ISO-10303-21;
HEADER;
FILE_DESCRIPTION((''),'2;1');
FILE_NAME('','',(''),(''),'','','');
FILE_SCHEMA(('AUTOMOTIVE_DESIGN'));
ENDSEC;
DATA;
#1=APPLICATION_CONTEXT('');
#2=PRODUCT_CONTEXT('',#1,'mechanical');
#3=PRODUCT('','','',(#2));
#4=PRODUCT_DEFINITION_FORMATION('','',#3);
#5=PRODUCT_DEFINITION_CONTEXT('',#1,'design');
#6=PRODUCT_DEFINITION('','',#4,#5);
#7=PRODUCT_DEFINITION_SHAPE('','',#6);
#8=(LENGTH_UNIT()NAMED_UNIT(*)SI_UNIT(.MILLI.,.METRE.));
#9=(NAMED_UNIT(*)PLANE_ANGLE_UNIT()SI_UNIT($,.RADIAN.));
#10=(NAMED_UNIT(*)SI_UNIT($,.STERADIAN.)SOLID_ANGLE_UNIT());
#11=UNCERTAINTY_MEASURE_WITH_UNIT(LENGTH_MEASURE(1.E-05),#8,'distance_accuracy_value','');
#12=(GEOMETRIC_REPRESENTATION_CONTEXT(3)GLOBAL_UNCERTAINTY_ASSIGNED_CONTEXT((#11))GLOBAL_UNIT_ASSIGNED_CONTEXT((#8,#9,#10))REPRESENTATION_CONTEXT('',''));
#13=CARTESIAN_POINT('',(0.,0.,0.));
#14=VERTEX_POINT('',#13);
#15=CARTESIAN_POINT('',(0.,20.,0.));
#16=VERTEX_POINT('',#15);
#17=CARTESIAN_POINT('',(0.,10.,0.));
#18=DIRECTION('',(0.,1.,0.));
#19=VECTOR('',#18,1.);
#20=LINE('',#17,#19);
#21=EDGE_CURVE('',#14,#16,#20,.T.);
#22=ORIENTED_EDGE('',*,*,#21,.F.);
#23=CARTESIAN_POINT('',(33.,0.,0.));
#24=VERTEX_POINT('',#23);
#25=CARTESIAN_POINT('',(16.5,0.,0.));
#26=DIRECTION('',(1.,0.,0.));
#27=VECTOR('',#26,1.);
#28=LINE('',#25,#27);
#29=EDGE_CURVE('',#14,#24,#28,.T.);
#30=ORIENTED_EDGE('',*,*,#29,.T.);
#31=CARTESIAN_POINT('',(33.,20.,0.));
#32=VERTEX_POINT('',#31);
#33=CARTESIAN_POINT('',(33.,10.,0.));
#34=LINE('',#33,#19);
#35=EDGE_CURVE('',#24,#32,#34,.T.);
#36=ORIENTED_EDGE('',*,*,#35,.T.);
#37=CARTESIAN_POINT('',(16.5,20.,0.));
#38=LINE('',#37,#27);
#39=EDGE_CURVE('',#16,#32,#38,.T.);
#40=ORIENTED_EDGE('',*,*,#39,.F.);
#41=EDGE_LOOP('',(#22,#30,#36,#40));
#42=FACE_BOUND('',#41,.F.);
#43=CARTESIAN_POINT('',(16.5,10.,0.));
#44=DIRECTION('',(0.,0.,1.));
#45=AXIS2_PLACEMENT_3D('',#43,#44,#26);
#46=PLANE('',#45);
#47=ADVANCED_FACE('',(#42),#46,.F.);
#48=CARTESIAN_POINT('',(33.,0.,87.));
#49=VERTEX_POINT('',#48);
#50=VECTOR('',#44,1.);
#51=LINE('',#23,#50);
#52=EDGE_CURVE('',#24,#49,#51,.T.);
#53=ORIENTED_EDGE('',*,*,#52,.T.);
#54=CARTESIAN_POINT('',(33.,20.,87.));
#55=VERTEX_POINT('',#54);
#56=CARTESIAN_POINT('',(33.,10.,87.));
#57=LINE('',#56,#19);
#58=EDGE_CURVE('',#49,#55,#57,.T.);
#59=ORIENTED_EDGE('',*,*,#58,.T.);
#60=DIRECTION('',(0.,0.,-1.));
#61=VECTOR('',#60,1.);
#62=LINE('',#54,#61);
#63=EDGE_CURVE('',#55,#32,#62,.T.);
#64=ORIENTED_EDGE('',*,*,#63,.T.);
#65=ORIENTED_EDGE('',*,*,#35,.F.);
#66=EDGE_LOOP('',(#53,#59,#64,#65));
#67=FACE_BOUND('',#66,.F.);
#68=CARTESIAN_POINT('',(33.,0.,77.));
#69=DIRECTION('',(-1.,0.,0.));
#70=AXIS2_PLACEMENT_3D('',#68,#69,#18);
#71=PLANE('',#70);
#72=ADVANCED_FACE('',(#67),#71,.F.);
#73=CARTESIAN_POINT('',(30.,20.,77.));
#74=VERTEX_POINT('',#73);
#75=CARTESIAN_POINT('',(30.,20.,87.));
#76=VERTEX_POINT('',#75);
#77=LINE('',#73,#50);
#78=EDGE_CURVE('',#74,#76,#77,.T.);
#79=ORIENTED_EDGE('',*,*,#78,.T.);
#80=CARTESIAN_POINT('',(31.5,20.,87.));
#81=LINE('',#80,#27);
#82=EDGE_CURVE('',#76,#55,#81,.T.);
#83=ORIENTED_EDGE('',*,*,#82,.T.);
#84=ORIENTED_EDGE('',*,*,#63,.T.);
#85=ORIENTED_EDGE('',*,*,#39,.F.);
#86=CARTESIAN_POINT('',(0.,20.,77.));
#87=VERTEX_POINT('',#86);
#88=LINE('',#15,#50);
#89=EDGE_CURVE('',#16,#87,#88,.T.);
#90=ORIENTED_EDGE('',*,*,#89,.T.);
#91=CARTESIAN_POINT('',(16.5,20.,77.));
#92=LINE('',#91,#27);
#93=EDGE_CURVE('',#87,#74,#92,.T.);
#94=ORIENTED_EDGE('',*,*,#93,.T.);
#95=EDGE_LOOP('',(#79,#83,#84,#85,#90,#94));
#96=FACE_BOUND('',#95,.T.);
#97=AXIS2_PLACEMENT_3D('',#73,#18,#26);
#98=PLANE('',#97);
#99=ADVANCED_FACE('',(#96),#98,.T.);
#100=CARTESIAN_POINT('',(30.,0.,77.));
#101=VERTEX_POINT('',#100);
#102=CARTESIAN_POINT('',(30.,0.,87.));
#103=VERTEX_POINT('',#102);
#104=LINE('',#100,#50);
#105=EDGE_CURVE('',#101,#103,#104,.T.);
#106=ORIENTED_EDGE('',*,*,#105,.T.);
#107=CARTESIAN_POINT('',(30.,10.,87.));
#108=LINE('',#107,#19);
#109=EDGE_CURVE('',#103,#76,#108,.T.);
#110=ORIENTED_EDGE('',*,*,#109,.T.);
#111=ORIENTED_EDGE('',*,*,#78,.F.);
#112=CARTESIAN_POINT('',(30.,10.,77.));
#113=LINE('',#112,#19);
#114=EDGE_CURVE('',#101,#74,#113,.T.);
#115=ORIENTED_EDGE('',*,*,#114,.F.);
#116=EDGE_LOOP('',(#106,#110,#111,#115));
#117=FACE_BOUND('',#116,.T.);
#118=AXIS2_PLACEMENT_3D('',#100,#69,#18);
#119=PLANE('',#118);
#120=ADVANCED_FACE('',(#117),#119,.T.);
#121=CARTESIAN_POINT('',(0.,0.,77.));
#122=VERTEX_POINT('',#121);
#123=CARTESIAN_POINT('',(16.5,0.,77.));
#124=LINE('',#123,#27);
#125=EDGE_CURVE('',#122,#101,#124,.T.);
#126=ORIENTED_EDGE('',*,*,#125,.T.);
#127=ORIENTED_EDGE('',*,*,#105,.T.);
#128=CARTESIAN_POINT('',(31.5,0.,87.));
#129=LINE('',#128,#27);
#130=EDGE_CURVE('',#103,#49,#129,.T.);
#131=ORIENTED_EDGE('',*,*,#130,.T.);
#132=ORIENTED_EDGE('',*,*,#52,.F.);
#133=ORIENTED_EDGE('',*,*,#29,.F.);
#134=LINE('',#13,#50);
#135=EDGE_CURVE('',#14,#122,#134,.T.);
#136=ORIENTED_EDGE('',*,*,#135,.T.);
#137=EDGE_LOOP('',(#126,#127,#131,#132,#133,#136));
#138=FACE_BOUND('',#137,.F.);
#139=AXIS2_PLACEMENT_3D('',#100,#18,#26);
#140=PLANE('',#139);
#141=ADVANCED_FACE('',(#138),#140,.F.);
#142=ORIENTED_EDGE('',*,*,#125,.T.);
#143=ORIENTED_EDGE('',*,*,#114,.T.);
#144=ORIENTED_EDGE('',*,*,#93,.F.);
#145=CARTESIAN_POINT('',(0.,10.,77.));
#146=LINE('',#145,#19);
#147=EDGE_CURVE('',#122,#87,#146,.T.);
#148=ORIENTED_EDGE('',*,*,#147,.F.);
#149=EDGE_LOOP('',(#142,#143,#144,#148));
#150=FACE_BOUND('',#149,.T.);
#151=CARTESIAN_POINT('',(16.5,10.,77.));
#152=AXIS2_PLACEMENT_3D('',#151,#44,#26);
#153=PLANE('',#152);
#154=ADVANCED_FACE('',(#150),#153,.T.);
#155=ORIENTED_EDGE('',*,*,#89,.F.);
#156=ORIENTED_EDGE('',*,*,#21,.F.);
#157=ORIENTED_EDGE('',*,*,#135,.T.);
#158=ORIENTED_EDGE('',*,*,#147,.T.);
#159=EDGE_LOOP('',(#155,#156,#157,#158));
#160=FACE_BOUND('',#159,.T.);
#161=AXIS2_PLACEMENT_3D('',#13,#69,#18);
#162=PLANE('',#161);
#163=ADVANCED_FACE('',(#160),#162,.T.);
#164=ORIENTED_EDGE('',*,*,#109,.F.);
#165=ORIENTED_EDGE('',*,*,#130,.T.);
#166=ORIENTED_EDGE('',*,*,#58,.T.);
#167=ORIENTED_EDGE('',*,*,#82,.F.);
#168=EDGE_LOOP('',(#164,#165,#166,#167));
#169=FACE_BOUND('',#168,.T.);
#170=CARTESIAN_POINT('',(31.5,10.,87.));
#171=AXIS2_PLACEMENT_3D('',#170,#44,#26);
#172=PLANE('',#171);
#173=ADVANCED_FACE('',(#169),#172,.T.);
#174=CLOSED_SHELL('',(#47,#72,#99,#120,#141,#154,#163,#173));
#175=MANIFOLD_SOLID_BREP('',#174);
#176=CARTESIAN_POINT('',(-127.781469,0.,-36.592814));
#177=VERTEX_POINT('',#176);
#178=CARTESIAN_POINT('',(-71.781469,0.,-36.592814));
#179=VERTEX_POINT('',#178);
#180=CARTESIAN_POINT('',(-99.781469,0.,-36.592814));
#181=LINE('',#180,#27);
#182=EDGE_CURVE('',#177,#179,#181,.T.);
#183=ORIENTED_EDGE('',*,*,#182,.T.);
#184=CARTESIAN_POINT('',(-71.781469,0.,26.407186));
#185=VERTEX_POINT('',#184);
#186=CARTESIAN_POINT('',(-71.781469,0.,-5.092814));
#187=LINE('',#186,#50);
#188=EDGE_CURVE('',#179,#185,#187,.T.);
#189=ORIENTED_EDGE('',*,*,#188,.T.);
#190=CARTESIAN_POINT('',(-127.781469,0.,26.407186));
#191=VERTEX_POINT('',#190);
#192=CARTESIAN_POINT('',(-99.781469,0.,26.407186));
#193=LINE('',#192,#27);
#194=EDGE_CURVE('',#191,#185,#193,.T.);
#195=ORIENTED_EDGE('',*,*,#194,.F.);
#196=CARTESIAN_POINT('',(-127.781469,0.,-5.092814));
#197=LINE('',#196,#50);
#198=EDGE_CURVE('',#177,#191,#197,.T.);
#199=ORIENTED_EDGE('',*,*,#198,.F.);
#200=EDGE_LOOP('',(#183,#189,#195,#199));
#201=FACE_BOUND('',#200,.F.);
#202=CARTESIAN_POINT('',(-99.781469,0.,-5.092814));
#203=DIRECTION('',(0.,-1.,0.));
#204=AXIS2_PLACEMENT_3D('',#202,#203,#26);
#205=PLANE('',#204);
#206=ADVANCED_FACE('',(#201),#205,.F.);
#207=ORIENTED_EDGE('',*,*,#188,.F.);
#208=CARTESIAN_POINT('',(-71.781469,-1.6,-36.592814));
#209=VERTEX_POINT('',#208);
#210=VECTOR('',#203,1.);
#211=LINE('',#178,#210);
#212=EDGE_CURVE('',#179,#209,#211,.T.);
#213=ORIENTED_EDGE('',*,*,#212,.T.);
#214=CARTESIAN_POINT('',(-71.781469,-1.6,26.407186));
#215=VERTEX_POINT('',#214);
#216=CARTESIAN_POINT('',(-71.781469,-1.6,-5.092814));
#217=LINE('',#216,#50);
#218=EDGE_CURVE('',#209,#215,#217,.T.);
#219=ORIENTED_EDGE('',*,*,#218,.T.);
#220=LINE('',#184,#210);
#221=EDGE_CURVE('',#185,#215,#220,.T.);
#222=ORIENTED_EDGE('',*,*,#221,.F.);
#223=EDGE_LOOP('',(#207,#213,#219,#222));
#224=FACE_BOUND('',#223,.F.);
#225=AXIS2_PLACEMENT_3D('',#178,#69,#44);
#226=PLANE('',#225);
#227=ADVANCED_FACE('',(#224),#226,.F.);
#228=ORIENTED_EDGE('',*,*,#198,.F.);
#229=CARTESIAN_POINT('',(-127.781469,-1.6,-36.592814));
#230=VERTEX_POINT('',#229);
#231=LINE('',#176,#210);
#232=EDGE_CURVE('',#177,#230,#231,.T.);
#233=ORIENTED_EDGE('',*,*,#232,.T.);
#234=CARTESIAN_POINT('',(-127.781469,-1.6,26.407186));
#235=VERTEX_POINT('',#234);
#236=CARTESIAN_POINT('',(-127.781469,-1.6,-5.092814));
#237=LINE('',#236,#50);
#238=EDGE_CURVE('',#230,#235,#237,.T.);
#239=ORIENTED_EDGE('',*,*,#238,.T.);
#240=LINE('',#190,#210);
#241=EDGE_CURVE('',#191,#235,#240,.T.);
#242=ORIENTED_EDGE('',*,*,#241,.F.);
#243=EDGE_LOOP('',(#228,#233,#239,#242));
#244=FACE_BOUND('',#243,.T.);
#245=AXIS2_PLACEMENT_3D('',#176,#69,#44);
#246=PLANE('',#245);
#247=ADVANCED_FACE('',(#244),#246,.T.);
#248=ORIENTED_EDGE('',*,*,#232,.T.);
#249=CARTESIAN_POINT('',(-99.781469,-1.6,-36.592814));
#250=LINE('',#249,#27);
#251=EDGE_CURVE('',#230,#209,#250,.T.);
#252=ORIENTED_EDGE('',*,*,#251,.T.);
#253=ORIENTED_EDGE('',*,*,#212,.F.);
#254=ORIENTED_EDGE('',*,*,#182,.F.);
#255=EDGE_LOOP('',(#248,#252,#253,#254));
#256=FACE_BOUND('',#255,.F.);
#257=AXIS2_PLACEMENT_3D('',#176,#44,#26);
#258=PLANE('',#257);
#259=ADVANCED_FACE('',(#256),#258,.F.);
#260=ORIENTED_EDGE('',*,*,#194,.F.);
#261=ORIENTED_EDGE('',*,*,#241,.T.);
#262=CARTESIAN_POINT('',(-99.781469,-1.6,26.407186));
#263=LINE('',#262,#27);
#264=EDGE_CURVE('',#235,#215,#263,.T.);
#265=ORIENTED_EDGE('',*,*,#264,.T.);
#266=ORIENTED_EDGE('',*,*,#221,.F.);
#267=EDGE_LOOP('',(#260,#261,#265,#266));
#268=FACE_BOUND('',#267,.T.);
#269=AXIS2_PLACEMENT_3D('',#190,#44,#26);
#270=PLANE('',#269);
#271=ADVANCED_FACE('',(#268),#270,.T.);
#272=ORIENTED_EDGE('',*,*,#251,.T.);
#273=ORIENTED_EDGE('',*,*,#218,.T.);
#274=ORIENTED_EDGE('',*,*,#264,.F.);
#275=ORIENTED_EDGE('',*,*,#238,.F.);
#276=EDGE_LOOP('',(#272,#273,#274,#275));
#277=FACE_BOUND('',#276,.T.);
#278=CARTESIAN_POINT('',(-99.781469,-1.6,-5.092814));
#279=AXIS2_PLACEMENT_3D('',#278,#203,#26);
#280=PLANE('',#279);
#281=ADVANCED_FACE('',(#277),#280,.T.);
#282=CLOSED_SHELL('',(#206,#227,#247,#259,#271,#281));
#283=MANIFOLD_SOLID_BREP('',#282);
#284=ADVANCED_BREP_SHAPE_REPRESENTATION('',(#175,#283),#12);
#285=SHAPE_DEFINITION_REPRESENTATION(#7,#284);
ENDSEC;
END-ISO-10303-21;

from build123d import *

# Parameters (mm, degrees)
F0_W     = 56
F0_H     = 63
F1_DEPTH = 1.6
F2_W     = 33
F2_H     = 20
F3_DEPTH = 77
F4_W     = 3
F4_H     = 20
F5_DEPTH = 10


with BuildPart() as f1:
    # F0 (on Front) → F1 (new body)
    with BuildSketch(Plane.XZ):
        with Locations((-99.781469, -5.092814)):
            Rectangle(F0_W, F0_H)
    extrude(amount=F1_DEPTH)


with BuildPart() as f3:
    # F2 (on Top) → F3 (new body)
    with BuildSketch(Plane.XY):
        with Locations((16.5, 10)):
            Rectangle(F2_W, F2_H)
    extrude(amount=F3_DEPTH)

    # F4 (on face) → F5 (join)
    with BuildSketch(Plane.XY.offset(77)):
        with Locations((31.5, 10)):
            Rectangle(F4_W, F4_H)
    extrude(amount=F5_DEPTH)


solid = Compound([f1.part, f3.part])
